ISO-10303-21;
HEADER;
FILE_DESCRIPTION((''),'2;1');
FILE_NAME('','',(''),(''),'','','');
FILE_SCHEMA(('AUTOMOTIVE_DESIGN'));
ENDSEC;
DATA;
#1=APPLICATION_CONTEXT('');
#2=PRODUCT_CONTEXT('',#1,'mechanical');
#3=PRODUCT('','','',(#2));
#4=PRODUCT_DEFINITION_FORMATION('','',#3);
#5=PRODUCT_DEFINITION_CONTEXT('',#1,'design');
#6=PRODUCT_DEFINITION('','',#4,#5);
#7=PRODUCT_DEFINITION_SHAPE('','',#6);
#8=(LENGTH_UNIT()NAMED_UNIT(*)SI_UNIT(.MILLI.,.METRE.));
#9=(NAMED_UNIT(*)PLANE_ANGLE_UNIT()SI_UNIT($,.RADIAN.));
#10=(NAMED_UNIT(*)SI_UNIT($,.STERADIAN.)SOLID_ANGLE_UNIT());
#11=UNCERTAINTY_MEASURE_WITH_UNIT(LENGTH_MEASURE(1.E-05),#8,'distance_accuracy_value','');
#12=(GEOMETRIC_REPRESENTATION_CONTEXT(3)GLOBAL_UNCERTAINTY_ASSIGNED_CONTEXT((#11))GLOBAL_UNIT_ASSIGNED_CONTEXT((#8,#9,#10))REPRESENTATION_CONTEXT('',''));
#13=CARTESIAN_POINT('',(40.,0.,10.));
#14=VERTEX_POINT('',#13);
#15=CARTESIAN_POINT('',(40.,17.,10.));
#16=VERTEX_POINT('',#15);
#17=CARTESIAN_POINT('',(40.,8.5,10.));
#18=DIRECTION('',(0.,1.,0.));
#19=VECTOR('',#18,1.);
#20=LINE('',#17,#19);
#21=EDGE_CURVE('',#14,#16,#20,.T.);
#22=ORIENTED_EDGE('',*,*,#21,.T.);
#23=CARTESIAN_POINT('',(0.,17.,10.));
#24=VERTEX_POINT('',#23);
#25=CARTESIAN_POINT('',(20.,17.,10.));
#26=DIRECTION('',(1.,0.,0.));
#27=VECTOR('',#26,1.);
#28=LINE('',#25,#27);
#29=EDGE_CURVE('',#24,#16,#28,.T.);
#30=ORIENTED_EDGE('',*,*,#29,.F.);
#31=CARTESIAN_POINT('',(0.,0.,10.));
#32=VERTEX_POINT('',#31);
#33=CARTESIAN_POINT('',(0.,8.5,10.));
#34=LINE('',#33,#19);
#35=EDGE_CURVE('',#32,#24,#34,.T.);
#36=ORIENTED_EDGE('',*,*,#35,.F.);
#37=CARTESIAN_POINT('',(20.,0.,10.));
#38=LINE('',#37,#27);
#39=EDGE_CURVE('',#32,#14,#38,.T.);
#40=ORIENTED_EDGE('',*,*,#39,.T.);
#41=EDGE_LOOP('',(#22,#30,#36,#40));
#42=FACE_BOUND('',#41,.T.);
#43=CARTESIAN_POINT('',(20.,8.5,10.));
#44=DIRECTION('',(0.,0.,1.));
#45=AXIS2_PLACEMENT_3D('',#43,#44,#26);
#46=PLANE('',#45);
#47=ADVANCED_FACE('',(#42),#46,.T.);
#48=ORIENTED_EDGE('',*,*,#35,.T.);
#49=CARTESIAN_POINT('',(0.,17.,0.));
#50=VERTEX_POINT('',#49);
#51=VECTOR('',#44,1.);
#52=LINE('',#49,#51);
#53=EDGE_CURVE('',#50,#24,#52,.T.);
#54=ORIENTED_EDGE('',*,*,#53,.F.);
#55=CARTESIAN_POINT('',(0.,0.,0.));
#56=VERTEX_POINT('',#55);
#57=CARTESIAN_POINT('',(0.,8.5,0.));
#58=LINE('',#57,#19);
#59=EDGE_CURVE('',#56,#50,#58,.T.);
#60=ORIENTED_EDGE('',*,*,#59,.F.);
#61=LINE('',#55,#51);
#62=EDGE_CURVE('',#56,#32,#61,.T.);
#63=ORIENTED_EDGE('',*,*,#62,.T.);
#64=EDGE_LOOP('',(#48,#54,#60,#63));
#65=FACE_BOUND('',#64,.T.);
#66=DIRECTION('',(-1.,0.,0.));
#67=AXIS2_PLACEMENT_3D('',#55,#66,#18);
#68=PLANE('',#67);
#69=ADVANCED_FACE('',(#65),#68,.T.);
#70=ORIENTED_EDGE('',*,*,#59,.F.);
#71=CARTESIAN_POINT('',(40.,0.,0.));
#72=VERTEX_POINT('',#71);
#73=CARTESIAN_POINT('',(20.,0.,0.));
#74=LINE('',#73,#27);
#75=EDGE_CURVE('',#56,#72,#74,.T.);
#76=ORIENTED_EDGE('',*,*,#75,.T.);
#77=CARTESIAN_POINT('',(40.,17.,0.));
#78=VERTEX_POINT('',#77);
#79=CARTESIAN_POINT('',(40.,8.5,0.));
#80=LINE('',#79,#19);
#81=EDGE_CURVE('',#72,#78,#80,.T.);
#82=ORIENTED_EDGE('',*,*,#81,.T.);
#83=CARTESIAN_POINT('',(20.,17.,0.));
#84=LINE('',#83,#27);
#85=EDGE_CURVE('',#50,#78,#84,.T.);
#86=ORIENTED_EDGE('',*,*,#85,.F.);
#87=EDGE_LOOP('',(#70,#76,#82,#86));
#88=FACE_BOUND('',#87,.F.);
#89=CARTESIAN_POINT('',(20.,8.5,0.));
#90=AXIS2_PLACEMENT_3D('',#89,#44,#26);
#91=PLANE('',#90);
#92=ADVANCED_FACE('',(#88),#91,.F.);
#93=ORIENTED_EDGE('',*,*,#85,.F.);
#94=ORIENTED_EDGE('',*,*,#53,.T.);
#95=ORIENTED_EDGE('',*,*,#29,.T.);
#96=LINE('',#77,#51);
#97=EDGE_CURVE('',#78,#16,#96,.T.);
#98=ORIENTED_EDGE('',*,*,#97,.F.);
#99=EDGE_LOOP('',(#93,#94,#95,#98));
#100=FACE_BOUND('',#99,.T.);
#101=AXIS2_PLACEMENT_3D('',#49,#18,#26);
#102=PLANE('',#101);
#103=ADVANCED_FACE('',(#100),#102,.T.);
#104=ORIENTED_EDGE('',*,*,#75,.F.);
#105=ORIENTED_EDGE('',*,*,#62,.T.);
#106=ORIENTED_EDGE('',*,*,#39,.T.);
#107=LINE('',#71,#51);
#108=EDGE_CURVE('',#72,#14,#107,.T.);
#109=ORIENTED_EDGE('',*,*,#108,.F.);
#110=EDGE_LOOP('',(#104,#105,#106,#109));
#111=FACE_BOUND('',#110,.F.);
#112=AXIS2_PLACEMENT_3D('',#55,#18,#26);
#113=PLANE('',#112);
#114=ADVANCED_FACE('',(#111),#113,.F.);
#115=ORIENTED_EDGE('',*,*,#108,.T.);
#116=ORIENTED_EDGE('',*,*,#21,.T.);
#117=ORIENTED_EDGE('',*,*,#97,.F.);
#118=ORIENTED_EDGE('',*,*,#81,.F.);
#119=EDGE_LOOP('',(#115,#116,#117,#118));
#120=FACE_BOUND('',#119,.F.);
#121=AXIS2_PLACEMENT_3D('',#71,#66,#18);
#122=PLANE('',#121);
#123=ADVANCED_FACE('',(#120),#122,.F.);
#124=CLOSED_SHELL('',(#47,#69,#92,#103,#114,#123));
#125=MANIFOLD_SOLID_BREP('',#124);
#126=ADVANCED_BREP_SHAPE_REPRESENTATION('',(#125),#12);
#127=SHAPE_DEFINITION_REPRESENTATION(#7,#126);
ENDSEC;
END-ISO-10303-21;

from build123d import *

# Parameters (mm, degrees)
BOX_W     = 40
BOX_H     = 17
BOX_DEPTH = 10


with BuildPart() as part:
    # Box → Box (new body)
    with BuildSketch(Plane.XY):
        with Locations((20, 8.5)):
            Rectangle(BOX_W, BOX_H)
    extrude(amount=BOX_DEPTH)


solid = part.part
